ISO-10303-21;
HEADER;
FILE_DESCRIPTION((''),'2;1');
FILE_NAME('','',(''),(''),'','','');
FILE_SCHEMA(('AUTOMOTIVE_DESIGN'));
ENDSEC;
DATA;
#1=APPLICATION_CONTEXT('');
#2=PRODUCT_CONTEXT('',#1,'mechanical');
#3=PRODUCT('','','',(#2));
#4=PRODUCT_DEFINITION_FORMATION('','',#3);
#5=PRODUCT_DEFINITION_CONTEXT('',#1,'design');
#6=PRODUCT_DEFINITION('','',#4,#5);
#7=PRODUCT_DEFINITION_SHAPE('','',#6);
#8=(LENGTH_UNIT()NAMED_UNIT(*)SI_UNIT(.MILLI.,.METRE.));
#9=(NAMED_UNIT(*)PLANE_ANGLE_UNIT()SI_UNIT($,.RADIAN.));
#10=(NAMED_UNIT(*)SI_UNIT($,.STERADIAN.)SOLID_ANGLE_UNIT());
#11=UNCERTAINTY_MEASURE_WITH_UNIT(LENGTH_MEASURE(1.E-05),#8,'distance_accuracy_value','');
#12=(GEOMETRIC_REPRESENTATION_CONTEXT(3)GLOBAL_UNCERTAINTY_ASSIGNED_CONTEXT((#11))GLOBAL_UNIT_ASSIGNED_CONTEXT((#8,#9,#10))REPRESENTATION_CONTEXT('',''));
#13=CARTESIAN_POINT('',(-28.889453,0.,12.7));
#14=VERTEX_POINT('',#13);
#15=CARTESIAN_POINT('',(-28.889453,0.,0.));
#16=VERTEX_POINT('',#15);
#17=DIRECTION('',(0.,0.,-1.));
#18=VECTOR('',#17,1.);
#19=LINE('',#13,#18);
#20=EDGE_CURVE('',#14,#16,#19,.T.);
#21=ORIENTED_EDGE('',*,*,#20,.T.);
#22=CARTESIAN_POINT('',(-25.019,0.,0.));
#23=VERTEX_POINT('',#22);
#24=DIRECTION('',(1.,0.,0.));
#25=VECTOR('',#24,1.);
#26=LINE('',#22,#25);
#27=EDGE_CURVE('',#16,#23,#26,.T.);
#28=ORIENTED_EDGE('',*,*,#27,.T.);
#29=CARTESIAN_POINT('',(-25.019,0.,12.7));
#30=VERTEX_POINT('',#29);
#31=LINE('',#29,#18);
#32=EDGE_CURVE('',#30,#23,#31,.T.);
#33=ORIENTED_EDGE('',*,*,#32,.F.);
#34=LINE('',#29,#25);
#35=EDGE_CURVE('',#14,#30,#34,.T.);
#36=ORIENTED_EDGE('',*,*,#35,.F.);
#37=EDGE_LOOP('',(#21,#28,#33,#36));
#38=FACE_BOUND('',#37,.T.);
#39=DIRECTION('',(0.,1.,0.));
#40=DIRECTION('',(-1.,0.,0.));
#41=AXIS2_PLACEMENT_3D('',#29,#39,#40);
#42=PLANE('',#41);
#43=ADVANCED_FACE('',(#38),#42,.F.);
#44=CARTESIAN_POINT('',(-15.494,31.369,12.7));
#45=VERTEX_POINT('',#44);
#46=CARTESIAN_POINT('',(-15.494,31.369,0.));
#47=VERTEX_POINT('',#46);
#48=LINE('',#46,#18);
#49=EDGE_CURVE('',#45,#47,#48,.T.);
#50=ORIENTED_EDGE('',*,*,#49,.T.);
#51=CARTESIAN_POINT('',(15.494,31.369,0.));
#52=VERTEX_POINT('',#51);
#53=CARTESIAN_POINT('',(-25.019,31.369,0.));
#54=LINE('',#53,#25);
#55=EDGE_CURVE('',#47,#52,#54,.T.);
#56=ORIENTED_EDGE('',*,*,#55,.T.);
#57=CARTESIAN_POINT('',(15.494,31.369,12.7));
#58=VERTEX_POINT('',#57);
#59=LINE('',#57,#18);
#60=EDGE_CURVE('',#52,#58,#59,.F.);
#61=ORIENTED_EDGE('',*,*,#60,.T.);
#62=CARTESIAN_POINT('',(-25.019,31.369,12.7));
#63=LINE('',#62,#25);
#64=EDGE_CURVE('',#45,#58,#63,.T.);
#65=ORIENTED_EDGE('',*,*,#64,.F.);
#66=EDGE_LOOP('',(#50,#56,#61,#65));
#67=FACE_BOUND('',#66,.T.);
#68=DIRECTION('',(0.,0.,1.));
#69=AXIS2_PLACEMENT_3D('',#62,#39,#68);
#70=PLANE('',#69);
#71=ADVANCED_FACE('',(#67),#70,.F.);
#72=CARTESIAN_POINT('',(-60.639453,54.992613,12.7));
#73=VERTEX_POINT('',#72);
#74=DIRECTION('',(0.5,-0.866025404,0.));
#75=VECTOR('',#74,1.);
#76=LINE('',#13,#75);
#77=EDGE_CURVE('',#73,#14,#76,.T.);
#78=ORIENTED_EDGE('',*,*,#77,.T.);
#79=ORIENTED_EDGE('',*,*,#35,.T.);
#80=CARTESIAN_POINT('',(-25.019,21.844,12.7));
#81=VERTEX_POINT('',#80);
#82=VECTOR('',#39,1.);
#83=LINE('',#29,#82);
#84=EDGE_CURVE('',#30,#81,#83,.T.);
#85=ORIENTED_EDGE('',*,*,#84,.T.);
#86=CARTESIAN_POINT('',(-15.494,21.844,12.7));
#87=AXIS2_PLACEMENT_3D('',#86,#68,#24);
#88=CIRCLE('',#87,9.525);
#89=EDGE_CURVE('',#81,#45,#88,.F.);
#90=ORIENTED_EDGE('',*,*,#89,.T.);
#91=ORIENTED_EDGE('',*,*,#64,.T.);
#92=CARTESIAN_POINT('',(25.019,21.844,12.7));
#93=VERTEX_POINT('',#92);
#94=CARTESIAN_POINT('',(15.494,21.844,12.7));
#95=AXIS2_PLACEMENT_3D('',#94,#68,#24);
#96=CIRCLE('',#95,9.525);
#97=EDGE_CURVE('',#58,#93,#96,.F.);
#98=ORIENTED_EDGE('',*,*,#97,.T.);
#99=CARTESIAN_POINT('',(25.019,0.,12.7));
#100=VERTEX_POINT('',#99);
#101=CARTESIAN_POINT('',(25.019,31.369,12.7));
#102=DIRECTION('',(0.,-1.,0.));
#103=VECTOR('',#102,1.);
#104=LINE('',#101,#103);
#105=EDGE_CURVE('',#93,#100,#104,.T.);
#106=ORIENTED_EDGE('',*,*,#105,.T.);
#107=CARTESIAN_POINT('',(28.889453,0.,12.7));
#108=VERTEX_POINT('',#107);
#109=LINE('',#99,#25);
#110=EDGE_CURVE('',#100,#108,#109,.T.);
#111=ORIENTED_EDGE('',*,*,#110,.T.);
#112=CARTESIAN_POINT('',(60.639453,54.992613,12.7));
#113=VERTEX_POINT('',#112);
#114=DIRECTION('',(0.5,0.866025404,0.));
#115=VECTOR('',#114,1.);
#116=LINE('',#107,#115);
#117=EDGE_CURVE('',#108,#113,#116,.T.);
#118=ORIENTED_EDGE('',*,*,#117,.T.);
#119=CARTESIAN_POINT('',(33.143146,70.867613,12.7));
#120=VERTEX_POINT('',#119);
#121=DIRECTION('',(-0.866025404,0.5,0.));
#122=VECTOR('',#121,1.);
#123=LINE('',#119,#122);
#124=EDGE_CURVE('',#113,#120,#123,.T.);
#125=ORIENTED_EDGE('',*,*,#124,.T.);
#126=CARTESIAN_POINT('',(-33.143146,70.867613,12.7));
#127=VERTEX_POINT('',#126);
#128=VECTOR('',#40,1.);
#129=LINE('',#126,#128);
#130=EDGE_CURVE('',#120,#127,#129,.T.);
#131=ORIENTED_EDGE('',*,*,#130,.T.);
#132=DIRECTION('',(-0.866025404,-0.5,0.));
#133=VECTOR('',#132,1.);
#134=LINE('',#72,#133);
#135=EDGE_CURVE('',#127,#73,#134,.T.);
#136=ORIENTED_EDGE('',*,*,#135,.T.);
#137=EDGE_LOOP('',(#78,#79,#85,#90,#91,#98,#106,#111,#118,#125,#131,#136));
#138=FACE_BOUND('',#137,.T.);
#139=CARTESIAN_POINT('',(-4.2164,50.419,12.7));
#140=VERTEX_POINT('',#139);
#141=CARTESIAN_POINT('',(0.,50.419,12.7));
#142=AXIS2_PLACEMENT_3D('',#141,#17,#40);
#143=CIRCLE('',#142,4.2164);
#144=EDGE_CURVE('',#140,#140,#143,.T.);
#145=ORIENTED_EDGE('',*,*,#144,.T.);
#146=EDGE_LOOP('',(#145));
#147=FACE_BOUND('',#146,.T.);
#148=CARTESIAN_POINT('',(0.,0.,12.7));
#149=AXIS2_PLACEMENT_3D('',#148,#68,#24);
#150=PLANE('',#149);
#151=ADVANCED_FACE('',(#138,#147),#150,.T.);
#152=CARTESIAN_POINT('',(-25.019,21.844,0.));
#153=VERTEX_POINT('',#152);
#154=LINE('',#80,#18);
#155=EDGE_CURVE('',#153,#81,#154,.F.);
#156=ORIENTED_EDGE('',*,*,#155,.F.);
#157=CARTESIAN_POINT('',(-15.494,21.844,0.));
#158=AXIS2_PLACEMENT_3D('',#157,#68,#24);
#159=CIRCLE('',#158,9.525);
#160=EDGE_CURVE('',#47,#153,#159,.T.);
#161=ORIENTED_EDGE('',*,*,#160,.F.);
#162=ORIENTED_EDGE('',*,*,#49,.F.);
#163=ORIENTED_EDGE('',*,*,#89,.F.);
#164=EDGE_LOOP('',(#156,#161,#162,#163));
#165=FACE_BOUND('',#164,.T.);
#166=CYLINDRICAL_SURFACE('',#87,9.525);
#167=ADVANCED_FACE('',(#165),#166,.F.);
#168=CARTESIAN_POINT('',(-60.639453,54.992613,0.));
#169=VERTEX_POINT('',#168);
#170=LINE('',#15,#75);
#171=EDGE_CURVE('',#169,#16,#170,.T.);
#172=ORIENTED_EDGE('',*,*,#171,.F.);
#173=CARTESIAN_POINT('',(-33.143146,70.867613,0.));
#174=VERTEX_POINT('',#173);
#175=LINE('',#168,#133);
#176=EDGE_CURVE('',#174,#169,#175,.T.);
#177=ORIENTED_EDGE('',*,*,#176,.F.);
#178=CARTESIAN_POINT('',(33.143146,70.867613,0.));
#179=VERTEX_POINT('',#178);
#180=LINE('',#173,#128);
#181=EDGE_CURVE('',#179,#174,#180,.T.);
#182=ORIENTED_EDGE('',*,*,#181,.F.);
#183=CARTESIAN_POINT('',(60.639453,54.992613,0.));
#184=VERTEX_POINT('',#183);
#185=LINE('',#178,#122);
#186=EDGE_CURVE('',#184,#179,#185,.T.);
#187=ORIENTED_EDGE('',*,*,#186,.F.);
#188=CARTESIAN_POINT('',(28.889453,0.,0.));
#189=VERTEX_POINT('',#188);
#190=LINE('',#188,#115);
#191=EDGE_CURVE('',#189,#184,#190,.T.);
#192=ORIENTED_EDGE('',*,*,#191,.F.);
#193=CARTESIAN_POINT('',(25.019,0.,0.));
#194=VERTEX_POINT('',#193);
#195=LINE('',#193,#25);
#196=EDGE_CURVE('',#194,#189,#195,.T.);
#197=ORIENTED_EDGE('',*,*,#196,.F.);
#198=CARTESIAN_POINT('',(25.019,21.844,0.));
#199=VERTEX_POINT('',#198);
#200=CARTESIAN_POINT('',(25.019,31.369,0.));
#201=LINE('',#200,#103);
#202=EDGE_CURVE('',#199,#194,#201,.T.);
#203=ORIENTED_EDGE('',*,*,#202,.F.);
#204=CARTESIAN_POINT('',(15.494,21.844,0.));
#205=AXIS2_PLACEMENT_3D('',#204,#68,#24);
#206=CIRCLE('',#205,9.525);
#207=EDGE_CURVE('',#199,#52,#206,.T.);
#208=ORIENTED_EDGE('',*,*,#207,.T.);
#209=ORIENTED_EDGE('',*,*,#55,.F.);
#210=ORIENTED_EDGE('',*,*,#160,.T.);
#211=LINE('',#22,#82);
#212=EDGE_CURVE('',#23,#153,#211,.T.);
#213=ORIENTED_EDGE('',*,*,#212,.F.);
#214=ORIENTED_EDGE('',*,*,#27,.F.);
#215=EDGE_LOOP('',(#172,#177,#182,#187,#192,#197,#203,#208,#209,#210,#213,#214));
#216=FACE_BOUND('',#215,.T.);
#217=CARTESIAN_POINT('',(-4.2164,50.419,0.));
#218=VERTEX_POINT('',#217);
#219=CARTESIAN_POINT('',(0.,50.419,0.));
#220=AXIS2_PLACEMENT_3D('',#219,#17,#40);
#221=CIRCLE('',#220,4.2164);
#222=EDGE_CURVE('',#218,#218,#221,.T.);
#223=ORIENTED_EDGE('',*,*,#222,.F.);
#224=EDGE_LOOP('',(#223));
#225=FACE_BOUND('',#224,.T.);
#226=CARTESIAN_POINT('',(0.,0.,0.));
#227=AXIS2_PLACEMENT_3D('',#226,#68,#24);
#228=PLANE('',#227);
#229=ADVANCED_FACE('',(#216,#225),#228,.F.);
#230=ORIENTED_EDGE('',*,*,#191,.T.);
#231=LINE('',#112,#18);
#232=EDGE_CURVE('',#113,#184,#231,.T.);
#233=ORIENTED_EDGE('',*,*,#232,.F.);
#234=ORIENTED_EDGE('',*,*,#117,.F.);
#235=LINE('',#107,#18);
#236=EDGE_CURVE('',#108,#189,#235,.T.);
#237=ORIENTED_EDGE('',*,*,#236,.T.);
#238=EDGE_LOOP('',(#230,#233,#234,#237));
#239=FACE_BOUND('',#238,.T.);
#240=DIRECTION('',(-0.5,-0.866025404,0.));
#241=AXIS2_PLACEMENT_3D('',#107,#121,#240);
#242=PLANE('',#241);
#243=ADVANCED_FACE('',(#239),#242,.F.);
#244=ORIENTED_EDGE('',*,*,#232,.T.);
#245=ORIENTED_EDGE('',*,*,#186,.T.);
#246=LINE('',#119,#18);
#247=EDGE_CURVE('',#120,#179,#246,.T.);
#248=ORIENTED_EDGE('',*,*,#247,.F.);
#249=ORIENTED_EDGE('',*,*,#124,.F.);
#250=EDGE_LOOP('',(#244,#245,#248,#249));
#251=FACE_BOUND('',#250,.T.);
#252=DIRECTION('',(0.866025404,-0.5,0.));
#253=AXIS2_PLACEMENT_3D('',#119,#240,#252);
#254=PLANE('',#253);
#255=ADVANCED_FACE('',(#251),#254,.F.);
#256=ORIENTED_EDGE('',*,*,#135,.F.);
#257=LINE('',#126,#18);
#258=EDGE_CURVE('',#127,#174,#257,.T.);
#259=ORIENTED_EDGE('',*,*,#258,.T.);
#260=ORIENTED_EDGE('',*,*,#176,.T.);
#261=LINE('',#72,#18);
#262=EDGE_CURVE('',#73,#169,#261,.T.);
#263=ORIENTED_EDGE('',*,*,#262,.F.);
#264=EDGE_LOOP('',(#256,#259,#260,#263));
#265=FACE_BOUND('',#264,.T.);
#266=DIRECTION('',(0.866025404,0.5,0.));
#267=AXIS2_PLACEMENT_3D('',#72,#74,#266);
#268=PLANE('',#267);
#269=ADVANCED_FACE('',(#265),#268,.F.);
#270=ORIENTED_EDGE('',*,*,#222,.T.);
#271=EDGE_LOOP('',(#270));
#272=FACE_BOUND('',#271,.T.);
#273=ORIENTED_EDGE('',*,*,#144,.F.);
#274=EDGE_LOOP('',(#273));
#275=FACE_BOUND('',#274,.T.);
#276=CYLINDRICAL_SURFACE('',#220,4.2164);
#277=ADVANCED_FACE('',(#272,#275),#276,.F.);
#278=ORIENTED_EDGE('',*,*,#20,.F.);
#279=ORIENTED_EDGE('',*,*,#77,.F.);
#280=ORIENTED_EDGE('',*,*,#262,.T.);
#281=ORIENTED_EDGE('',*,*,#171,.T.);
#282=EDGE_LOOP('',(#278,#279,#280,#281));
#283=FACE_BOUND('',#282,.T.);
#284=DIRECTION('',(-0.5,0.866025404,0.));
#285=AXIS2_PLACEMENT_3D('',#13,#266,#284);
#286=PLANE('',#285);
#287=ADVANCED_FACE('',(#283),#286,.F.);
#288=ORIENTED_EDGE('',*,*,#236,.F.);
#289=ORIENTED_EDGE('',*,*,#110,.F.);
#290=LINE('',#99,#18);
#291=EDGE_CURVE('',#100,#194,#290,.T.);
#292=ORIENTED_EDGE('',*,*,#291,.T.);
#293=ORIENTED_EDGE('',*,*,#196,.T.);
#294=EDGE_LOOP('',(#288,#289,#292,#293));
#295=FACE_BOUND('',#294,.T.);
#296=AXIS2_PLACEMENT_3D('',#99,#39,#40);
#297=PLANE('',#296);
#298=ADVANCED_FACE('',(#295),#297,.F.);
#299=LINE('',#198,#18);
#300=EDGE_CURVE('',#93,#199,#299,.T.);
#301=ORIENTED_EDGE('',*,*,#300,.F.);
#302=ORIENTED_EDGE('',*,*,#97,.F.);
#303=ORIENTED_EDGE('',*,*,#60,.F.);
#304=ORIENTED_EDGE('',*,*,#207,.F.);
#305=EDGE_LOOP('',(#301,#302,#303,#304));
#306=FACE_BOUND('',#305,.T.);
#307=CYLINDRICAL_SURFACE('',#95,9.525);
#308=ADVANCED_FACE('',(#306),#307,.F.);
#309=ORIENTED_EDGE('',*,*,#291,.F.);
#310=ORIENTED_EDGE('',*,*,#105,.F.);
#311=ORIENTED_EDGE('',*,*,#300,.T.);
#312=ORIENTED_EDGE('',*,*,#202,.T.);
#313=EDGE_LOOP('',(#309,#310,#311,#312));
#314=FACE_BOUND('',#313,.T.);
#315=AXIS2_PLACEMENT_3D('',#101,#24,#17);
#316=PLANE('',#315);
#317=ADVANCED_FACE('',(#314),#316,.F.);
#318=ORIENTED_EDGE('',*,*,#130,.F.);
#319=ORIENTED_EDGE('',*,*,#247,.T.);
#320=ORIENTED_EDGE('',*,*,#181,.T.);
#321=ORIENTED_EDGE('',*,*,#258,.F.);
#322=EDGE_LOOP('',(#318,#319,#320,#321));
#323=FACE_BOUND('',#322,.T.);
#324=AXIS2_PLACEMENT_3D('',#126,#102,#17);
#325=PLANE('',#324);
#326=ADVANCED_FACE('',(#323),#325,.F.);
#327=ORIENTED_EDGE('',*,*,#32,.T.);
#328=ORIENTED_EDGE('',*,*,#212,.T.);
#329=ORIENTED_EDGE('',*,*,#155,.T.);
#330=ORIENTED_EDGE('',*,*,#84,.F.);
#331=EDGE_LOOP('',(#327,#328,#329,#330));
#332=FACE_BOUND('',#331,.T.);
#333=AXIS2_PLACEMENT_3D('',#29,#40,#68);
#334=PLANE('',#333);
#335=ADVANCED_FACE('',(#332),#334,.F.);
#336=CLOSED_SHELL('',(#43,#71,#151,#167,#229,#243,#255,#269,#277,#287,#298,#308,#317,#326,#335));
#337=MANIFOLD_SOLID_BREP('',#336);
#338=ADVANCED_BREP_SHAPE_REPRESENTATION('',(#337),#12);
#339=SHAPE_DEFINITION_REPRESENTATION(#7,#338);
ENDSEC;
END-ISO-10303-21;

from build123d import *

# Parameters (mm, degrees)
BOSS_EXTRUDE1_DEPTH      = 12.7
FILLET1_R                = 9.525
F_5_16_CLEARANCE_HOLE1_D = 8.4328


with BuildPart() as part:
    # Sketch1 → Boss-Extrude1 (new body)
    with BuildSketch(Plane.XY):
        Polygon((25.019, 0), (28.88945277, 0), (60.63945277, 54.99261314), (33.1431462, 70.86761314), (-33.1431462, 70.86761314), (-60.63945277, 54.99261314), (-28.88945277, 0), (-25.019, 0), (-25.019, 31.369), (25.019, 31.369), align=None)
    extrude(amount=BOSS_EXTRUDE1_DEPTH)

    # Fillet1
    fillet1_edges = [part.edges().sort_by_distance(p)[0] for p in [
        (25.019, 31.369, 6.35),
        (-25.019, 31.369, 6.35),
    ]]
    fillet(fillet1_edges, radius=FILLET1_R)

    # 5/16 Clearance Hole1 (through all)
    with Locations(Plane(origin=(0, 0, 0), x_dir=(-1, 0, 0), z_dir=(0, 0, -1))):
        with Locations((0, 50.419)):
            Hole(F_5_16_CLEARANCE_HOLE1_D / 2)


solid = part.part
